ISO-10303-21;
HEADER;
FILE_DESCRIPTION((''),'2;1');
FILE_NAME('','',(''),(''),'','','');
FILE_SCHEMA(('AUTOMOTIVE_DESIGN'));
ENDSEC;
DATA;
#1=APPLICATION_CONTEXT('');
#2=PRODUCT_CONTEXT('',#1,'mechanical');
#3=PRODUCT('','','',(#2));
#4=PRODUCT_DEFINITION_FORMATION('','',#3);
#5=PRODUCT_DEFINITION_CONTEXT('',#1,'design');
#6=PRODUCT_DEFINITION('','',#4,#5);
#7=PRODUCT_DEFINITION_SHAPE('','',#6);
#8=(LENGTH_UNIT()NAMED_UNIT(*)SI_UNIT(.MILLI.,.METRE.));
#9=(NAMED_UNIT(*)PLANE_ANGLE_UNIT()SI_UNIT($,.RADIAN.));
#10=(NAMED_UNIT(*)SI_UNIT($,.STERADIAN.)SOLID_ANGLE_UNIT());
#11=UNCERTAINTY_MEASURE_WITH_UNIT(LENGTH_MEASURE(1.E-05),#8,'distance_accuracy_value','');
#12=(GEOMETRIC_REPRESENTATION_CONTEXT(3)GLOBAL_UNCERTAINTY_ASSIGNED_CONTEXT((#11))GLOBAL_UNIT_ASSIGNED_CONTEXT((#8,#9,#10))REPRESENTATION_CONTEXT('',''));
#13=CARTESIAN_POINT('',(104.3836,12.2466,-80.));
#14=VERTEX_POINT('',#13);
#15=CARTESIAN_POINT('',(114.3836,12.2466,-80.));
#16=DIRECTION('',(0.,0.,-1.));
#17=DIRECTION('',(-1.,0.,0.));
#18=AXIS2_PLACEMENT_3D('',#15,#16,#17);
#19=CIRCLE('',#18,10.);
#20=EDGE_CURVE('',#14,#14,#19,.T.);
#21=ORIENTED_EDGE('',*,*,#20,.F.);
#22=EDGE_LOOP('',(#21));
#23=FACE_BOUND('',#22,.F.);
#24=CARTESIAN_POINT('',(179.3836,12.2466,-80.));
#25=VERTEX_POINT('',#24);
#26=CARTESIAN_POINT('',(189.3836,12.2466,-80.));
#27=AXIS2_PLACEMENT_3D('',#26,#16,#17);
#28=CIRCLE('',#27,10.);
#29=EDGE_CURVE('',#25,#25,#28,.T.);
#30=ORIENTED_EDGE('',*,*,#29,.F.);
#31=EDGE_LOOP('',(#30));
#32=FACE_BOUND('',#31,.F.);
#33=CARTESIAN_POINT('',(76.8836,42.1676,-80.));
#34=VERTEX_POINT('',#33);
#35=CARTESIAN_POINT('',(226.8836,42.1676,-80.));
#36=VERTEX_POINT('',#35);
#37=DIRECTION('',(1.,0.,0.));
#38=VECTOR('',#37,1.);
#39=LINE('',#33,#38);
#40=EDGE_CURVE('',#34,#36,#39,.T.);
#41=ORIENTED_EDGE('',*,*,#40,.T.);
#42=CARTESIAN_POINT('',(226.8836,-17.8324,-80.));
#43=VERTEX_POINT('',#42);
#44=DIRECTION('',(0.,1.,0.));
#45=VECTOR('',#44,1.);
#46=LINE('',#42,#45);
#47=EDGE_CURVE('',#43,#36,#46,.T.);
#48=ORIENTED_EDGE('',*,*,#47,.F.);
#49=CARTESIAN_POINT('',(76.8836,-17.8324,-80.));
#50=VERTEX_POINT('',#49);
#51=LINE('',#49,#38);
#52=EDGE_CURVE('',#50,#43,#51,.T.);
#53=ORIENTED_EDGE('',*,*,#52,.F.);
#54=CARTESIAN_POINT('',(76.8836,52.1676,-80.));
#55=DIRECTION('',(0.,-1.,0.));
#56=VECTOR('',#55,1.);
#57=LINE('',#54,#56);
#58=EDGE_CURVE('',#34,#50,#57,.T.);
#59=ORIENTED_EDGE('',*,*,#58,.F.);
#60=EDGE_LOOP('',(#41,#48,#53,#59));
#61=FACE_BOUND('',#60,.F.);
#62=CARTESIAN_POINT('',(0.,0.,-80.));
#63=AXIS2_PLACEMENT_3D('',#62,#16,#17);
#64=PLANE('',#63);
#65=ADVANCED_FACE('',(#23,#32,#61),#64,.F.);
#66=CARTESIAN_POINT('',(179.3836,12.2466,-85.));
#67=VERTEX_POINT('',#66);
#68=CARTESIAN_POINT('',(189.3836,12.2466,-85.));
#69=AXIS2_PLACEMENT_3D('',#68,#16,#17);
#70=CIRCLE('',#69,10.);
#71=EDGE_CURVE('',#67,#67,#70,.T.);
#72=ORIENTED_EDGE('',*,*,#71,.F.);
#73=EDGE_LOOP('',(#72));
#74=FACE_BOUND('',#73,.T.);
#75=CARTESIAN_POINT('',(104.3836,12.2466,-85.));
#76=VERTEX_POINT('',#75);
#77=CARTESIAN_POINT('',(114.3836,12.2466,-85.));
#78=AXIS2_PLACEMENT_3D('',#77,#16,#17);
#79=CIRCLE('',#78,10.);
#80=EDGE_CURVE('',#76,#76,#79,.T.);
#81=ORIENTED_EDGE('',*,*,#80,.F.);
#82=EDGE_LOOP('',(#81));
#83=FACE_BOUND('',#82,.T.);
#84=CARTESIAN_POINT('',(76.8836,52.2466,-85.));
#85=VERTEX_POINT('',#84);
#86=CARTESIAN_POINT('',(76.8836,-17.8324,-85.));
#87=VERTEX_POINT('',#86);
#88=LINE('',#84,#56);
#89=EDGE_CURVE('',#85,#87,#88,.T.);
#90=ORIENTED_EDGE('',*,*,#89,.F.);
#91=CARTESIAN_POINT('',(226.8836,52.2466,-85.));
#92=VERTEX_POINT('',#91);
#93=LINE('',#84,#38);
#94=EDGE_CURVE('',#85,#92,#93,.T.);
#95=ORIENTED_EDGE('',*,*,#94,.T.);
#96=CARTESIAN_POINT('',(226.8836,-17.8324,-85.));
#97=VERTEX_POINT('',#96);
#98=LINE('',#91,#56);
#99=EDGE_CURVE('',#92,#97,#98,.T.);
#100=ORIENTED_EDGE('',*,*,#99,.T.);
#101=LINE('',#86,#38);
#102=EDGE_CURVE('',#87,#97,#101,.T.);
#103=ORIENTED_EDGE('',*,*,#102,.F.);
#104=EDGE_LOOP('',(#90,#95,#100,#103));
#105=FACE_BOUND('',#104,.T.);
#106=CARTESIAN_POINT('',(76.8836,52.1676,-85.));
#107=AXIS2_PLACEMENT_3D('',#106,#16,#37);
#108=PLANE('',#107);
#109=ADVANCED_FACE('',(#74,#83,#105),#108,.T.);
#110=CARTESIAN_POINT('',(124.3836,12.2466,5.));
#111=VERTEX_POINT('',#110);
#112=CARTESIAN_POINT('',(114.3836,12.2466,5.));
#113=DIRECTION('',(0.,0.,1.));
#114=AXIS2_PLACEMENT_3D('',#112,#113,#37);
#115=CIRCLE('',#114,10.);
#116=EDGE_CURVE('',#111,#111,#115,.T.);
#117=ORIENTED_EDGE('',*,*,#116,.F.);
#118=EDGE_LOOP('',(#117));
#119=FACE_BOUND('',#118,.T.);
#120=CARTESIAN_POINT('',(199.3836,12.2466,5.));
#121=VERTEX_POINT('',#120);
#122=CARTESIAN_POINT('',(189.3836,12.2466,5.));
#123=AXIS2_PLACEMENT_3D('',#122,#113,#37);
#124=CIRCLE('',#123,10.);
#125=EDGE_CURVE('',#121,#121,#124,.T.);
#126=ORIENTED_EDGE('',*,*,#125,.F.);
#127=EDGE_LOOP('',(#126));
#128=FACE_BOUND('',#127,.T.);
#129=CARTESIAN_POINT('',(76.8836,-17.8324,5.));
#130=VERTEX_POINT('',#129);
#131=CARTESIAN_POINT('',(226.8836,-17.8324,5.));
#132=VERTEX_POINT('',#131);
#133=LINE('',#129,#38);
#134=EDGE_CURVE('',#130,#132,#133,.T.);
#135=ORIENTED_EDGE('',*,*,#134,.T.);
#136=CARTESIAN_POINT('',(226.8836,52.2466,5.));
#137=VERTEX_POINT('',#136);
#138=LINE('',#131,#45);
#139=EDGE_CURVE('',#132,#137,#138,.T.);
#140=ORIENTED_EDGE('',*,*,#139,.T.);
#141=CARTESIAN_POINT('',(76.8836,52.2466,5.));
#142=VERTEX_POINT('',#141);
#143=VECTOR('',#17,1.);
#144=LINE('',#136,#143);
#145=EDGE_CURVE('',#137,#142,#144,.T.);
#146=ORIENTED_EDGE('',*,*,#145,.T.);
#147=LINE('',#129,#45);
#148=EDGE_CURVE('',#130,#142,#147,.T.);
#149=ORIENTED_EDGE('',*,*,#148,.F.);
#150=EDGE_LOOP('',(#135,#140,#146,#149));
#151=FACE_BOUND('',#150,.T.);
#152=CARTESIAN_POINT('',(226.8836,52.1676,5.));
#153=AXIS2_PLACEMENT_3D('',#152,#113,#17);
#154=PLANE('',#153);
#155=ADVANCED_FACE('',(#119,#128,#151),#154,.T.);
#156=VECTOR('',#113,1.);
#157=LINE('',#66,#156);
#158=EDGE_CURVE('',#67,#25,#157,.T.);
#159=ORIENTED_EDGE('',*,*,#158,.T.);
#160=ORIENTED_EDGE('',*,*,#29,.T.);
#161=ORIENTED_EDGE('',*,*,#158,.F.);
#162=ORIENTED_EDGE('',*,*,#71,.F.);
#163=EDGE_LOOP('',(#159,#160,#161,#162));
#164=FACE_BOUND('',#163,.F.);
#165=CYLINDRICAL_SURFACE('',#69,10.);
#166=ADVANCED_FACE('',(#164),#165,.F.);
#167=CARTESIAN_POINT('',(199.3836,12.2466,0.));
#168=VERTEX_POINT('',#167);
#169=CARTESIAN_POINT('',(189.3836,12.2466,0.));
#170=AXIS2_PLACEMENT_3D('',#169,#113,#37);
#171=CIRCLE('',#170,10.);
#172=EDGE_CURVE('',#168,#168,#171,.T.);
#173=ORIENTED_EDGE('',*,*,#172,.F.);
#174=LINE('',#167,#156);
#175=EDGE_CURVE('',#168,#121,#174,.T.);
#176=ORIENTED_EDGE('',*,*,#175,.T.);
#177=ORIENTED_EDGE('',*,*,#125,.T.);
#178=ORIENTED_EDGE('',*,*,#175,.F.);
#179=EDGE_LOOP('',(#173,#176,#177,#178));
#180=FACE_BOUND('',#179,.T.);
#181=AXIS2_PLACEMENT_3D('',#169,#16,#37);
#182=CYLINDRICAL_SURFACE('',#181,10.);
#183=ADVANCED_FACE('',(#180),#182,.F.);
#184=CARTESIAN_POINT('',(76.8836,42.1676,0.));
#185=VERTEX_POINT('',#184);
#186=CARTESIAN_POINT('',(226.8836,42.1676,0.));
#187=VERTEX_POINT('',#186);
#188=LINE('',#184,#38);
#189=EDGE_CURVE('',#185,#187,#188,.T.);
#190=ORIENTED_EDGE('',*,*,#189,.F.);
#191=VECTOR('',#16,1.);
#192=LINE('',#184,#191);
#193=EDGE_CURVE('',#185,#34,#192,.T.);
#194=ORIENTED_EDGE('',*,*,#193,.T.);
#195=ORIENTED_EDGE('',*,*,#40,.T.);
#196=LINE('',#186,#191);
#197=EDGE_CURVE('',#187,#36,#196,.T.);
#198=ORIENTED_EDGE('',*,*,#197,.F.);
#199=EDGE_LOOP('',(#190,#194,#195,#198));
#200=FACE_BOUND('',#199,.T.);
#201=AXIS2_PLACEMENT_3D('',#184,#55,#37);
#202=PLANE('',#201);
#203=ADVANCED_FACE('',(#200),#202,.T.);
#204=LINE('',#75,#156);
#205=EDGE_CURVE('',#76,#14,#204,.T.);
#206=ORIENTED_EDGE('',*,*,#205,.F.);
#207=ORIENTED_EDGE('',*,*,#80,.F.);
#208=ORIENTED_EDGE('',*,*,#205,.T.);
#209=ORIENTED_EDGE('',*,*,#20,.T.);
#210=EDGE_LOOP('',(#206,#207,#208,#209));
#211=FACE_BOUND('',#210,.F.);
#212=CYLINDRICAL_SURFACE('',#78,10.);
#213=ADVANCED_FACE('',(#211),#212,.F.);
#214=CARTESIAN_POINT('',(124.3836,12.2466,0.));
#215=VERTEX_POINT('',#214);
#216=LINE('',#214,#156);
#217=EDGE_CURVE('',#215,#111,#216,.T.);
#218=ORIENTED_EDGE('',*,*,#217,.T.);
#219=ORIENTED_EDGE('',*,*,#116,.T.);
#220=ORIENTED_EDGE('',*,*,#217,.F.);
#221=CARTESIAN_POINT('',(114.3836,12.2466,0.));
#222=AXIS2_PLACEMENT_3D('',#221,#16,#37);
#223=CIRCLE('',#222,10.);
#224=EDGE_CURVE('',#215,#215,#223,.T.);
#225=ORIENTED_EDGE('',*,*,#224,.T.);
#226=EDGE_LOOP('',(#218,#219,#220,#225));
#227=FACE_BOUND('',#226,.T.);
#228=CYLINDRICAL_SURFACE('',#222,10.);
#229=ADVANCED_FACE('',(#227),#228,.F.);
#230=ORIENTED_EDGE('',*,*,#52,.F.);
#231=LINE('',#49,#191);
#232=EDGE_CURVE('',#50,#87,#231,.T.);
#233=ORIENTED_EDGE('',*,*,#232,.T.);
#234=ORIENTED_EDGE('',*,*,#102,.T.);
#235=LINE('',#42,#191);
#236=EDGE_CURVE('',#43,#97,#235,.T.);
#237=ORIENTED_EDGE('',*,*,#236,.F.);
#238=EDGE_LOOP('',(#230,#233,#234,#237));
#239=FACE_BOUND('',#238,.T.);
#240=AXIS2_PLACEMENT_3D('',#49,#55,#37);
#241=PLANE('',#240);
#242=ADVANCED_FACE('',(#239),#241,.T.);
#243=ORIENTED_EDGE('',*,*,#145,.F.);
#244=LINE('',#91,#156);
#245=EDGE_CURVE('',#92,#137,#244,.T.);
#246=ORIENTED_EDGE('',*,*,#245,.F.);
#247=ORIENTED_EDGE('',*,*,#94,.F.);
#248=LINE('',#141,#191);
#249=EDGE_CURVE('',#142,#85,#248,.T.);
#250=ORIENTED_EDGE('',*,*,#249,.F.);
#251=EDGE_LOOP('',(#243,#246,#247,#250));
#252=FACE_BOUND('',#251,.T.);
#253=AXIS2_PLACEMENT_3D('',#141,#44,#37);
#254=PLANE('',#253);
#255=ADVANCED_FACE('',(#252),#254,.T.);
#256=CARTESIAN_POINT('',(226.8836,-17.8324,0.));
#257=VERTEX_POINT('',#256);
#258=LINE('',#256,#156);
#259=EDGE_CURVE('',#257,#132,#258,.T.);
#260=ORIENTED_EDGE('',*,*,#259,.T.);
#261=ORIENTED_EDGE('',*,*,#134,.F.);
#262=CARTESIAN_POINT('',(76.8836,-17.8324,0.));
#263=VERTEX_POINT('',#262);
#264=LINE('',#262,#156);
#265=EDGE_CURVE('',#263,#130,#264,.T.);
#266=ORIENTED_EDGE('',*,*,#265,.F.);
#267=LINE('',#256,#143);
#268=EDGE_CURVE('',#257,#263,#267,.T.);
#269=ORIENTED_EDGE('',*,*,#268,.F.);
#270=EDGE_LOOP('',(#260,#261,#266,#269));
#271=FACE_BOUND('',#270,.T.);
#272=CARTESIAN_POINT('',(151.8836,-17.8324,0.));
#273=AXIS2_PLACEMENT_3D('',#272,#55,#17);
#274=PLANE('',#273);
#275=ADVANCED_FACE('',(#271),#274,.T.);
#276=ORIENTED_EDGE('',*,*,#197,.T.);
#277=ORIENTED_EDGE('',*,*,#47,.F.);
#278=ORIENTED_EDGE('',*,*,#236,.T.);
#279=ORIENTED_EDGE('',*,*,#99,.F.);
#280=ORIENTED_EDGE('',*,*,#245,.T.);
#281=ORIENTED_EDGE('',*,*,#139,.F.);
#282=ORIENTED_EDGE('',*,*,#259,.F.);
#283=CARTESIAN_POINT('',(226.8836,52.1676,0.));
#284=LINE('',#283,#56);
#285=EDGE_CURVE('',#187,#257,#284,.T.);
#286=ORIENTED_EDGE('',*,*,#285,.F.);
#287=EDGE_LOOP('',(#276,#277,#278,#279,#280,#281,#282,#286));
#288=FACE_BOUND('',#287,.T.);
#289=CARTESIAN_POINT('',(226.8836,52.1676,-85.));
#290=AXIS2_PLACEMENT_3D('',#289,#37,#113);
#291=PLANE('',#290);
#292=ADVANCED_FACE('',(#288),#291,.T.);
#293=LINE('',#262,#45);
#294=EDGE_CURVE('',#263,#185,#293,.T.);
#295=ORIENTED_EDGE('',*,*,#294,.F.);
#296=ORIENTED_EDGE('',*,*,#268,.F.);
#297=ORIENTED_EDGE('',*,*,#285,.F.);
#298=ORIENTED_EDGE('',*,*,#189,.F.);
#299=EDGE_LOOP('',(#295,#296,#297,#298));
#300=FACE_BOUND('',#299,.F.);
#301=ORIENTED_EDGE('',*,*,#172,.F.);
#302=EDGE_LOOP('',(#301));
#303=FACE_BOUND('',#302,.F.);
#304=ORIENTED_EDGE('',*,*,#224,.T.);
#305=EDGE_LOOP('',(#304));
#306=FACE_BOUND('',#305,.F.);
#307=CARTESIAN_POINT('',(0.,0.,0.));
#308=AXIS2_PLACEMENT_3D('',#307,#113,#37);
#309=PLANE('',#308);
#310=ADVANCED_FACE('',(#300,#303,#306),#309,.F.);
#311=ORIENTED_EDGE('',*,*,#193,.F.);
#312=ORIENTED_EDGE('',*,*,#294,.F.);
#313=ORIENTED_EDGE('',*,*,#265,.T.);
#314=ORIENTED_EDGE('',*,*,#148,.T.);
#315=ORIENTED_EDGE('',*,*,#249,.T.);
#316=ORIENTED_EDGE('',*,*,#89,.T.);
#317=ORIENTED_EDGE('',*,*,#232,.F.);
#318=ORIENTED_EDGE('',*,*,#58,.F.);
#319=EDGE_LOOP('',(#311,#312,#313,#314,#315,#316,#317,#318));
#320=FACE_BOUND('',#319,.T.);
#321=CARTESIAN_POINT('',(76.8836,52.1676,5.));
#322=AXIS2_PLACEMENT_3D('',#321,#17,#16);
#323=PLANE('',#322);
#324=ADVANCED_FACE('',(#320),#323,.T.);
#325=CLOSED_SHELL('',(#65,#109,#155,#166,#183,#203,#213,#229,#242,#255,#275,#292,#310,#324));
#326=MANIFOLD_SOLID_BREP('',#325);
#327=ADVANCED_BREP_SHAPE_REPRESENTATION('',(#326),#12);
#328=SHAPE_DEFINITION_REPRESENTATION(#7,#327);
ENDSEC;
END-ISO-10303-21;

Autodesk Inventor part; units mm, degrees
ref_plane "YZ Plane" through (0, 0, 0) normal (1, 0, 0) x (0, 1, 0)
ref_plane "XZ Plane" through (0, 0, 0) normal (0, 1, 0) x (-1, 0, 0)
ref_plane "XY Plane" through (0, 0, 0) normal (0, 0, 1) x (1, 0, 0)
ref_plane "Work Plane1" through (0, 0, 0) normal (0, 0, 1) x (1, 0, 0)
sketch "Sketch1" plane through (0, 0, 0) normal (0, 0, 1) x (1, 0, 0)
  circle A0 centre (114.3836, 12.2466) radius 10 projected
  circle A1 centre (114.3836, 12.2466) radius 10 projected
  line L0 (114.3836, 12.2466) -> (76.8836, 12.2466)
  line L1 (124.7866, -536.2038) -> (-25.2134, -536.2038) projected
  line L2 (114.3836, 12.2466) -> (114.3836, -536.2038)
  line L3 (76.8836, 12.2466) -> (76.8836, 52.1676)
  line L4 (76.8836, 52.1676) -> (226.8836, 52.1676)
  line L5 (226.8836, 52.1676) -> (226.8836, -17.8324)
  line L6 (226.8836, -17.8324) -> (76.8836, -17.8324)
  line L7 (76.8836, -17.8324) -> (76.8836, 12.2466)
  circle A2 centre (114.3836, 12.2466) radius 10 projected
  line L8 (151.8836, 52.1676) -> (151.8836, -17.8324)
  circle A3 centre (189.3836, 12.2466) radius 10
  line L9 (76.8836, 52.1676) -> (76.8836, 42.1676)
  line L10 (76.8836, 42.1676) -> (226.8836, 42.1676)
  line L11 (226.8836, 52.1676) -> (76.8836, 52.1676)
  line L12 (76.8836, 52.1676) -> (76.8836, 42.1676)
  line L13 (76.8836, 42.1676) -> (226.8836, 42.1676)
  line L14 (226.8836, 42.1676) -> (226.8836, 52.1676)
  point P0 (0, 0)
  dimension "d0" = 37.5
  dimension "d1" = 548.4504
  dimension "d2" = 39.921
  dimension "d3" = 150
  dimension "d4" = 70
  dimension "d5" = 10
  dimension "d6" = 150
extrude "Extrusion1" add sketch "Sketch1" along normal blind 5 contours A0 L0 L3 L10 L8 L6 L2 | A0 L2 L6 L7 L0 | L3 L4 L8 L10 | L8 L10 L5 L6 | L8 L4 L5 L10
sketch "Sketch3" plane through (0, 0, 0) normal (0, 0, -1) x (-1, 0, 0)
  line L0 (-226.8836, 52.1676) -> (-76.8836, 52.1676) projected
  line L1 (-76.8836, 42.1676) -> (-226.8836, 42.1676) projected
  line L2 (-226.8836, 52.1676) -> (-76.8836, 52.1676)
  line L3 (-76.8836, 52.1676) -> (-76.8836, 42.1676)
  line L4 (-76.8836, 42.1676) -> (-226.8836, 42.1676)
  line L5 (-226.8836, 42.1676) -> (-226.8836, 52.1676)
  point P0 (0, 0)
extrude "Extrusion2" add sketch "Sketch3" along normal blind 80
sketch "Sketch4" plane through (0, 0, -80) normal (0, 0, -1) x (-1, 0, 0)
  line L0 (-226.8836, 52.1676) -> (-76.8836, 52.1676) projected
  line L1 (-76.8836, -17.8324) -> (-226.8836, -17.8324) projected
  line L2 (-226.8836, 52.1676) -> (-76.8836, 52.1676)
  line L3 (-76.8836, 52.1676) -> (-76.8836, -17.8324)
  line L4 (-76.8836, -17.8324) -> (-226.8836, -17.8324)
  line L5 (-226.8836, -17.8324) -> (-226.8836, 52.1676)
  point P0 (0, 0)
  point P1 (-76.8836, 52.1676)
extrude "Extrusion3" add sketch "Sketch4" along normal blind 5
sketch "Sketch6" plane through (0, 0, -85) normal (0, 0, -1) x (-1, 0, 0)
  line L0 (-98.3957, 24.2628) -> (62.6208, -189.9747) projected
  arc A0 (-98.3957, 24.2628) -> (-130.3715, 0.2304) centre (-114.3836, 12.2466) ccw projected
  line L1 (30.6451, -214.007) -> (-130.3715, 0.2304) projected
  arc A1 (30.6451, -214.007) -> (62.6208, -189.9747) centre (46.6329, -201.9908) ccw projected
  circle A2 centre (46.6329, -201.9908) radius 9.25 projected
  circle A3 centre (-114.3836, 12.2466) radius 10 projected
  circle A4 centre (-189.3836, 12.2466) radius 10 projected
  point P0 (0, 0)
extrude "Extrusion4" cut sketch "Sketch6" against normal blind 10 contours A3 | A4
sketch "Sketch8" plane through (76.8836, 52.1676, 5) normal (0, 1, 0) x (1, 0, 0)
  line L0 (0, 0) -> (0, 90) projected
  line L1 (150, 0) -> (0, 0) projected
  line L2 (150, 90) -> (150, 0) projected
  line L3 (0, 90) -> (150, 90) projected
  point P0 (-76.8836, 5)
extrude "Extrusion6" add sketch "Sketch8" along normal blind 0.079
properties part number "korona"
